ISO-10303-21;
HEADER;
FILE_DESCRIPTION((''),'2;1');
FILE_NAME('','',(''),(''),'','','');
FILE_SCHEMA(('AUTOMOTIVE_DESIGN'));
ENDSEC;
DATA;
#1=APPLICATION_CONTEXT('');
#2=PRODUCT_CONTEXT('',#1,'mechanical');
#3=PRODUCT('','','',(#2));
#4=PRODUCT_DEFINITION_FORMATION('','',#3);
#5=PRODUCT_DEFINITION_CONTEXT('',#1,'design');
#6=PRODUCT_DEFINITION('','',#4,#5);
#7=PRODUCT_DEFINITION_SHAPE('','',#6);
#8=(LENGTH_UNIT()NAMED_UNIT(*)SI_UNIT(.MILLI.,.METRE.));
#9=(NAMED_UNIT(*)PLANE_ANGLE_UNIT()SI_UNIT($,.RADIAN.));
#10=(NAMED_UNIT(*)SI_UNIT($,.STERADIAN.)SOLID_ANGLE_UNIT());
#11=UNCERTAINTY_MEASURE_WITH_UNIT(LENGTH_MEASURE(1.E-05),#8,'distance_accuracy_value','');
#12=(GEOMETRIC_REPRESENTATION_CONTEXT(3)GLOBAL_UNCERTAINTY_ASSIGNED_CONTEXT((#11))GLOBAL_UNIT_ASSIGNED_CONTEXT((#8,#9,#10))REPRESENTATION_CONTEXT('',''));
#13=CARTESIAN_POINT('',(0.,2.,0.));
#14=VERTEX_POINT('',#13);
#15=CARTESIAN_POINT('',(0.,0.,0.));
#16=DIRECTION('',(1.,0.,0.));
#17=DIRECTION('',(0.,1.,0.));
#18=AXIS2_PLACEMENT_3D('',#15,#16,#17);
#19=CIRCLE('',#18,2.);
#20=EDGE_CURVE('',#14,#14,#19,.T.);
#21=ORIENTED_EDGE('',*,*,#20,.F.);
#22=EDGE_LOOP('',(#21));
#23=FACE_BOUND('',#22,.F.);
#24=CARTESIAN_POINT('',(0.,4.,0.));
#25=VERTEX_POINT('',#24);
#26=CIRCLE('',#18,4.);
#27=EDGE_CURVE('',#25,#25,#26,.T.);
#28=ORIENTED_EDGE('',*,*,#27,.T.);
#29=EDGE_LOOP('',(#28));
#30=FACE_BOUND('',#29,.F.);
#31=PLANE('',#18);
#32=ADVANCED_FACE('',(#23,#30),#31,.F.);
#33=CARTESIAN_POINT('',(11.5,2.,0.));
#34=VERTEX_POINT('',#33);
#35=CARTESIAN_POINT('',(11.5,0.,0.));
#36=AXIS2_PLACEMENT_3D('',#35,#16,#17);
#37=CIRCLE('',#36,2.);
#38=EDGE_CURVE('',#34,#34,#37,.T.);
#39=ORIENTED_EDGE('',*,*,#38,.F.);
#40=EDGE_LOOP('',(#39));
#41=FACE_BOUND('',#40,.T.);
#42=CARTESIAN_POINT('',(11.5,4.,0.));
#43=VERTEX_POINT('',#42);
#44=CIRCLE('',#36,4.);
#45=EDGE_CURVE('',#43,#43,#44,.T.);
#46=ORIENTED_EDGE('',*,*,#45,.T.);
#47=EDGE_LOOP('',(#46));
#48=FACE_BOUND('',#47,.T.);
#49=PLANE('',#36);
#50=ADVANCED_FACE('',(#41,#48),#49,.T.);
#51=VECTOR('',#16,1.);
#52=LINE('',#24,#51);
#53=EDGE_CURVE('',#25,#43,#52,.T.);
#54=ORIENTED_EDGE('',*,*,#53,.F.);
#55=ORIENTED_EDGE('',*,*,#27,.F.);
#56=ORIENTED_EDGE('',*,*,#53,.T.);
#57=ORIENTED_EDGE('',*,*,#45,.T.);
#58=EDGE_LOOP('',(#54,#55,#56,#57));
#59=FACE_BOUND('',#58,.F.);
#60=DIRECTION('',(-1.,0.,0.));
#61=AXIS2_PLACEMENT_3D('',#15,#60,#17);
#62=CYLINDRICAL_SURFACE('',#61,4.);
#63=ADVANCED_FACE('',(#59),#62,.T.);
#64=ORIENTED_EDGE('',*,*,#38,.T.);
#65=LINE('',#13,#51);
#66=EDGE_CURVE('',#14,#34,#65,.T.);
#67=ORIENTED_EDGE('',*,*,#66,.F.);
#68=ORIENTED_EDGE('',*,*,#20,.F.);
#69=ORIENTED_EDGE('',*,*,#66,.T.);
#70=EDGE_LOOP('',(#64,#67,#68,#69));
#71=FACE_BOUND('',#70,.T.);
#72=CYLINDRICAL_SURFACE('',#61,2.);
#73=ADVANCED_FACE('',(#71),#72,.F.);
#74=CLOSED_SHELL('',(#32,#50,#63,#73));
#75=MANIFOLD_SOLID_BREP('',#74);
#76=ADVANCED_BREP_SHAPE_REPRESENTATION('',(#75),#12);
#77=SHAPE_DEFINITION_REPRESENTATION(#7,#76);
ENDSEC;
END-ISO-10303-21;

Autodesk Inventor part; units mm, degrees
ref_plane "YZ Plane" through (0, 0, 0) normal (1, 0, 0) x (0, 1, 0)
ref_plane "XZ Plane" through (0, 0, 0) normal (0, 1, 0) x (-1, 0, 0)
ref_plane "XY Plane" through (0, 0, 0) normal (0, 0, 1) x (1, 0, 0)
sketch "スケッチ1" plane through (0, 0, 0) normal (1, 0, 0) x (0, 1, 0)
  circle A0 centre (0, 0) radius 4
  circle A1 centre (0, 0) radius 2
  dimension "d0" = 8
  dimension "d1" = 4
extrude "押し出し1" add sketch "スケッチ1" along normal blind 11.5
properties part number "odom_v1_shaft_2" material "アルミニウム 6061"
